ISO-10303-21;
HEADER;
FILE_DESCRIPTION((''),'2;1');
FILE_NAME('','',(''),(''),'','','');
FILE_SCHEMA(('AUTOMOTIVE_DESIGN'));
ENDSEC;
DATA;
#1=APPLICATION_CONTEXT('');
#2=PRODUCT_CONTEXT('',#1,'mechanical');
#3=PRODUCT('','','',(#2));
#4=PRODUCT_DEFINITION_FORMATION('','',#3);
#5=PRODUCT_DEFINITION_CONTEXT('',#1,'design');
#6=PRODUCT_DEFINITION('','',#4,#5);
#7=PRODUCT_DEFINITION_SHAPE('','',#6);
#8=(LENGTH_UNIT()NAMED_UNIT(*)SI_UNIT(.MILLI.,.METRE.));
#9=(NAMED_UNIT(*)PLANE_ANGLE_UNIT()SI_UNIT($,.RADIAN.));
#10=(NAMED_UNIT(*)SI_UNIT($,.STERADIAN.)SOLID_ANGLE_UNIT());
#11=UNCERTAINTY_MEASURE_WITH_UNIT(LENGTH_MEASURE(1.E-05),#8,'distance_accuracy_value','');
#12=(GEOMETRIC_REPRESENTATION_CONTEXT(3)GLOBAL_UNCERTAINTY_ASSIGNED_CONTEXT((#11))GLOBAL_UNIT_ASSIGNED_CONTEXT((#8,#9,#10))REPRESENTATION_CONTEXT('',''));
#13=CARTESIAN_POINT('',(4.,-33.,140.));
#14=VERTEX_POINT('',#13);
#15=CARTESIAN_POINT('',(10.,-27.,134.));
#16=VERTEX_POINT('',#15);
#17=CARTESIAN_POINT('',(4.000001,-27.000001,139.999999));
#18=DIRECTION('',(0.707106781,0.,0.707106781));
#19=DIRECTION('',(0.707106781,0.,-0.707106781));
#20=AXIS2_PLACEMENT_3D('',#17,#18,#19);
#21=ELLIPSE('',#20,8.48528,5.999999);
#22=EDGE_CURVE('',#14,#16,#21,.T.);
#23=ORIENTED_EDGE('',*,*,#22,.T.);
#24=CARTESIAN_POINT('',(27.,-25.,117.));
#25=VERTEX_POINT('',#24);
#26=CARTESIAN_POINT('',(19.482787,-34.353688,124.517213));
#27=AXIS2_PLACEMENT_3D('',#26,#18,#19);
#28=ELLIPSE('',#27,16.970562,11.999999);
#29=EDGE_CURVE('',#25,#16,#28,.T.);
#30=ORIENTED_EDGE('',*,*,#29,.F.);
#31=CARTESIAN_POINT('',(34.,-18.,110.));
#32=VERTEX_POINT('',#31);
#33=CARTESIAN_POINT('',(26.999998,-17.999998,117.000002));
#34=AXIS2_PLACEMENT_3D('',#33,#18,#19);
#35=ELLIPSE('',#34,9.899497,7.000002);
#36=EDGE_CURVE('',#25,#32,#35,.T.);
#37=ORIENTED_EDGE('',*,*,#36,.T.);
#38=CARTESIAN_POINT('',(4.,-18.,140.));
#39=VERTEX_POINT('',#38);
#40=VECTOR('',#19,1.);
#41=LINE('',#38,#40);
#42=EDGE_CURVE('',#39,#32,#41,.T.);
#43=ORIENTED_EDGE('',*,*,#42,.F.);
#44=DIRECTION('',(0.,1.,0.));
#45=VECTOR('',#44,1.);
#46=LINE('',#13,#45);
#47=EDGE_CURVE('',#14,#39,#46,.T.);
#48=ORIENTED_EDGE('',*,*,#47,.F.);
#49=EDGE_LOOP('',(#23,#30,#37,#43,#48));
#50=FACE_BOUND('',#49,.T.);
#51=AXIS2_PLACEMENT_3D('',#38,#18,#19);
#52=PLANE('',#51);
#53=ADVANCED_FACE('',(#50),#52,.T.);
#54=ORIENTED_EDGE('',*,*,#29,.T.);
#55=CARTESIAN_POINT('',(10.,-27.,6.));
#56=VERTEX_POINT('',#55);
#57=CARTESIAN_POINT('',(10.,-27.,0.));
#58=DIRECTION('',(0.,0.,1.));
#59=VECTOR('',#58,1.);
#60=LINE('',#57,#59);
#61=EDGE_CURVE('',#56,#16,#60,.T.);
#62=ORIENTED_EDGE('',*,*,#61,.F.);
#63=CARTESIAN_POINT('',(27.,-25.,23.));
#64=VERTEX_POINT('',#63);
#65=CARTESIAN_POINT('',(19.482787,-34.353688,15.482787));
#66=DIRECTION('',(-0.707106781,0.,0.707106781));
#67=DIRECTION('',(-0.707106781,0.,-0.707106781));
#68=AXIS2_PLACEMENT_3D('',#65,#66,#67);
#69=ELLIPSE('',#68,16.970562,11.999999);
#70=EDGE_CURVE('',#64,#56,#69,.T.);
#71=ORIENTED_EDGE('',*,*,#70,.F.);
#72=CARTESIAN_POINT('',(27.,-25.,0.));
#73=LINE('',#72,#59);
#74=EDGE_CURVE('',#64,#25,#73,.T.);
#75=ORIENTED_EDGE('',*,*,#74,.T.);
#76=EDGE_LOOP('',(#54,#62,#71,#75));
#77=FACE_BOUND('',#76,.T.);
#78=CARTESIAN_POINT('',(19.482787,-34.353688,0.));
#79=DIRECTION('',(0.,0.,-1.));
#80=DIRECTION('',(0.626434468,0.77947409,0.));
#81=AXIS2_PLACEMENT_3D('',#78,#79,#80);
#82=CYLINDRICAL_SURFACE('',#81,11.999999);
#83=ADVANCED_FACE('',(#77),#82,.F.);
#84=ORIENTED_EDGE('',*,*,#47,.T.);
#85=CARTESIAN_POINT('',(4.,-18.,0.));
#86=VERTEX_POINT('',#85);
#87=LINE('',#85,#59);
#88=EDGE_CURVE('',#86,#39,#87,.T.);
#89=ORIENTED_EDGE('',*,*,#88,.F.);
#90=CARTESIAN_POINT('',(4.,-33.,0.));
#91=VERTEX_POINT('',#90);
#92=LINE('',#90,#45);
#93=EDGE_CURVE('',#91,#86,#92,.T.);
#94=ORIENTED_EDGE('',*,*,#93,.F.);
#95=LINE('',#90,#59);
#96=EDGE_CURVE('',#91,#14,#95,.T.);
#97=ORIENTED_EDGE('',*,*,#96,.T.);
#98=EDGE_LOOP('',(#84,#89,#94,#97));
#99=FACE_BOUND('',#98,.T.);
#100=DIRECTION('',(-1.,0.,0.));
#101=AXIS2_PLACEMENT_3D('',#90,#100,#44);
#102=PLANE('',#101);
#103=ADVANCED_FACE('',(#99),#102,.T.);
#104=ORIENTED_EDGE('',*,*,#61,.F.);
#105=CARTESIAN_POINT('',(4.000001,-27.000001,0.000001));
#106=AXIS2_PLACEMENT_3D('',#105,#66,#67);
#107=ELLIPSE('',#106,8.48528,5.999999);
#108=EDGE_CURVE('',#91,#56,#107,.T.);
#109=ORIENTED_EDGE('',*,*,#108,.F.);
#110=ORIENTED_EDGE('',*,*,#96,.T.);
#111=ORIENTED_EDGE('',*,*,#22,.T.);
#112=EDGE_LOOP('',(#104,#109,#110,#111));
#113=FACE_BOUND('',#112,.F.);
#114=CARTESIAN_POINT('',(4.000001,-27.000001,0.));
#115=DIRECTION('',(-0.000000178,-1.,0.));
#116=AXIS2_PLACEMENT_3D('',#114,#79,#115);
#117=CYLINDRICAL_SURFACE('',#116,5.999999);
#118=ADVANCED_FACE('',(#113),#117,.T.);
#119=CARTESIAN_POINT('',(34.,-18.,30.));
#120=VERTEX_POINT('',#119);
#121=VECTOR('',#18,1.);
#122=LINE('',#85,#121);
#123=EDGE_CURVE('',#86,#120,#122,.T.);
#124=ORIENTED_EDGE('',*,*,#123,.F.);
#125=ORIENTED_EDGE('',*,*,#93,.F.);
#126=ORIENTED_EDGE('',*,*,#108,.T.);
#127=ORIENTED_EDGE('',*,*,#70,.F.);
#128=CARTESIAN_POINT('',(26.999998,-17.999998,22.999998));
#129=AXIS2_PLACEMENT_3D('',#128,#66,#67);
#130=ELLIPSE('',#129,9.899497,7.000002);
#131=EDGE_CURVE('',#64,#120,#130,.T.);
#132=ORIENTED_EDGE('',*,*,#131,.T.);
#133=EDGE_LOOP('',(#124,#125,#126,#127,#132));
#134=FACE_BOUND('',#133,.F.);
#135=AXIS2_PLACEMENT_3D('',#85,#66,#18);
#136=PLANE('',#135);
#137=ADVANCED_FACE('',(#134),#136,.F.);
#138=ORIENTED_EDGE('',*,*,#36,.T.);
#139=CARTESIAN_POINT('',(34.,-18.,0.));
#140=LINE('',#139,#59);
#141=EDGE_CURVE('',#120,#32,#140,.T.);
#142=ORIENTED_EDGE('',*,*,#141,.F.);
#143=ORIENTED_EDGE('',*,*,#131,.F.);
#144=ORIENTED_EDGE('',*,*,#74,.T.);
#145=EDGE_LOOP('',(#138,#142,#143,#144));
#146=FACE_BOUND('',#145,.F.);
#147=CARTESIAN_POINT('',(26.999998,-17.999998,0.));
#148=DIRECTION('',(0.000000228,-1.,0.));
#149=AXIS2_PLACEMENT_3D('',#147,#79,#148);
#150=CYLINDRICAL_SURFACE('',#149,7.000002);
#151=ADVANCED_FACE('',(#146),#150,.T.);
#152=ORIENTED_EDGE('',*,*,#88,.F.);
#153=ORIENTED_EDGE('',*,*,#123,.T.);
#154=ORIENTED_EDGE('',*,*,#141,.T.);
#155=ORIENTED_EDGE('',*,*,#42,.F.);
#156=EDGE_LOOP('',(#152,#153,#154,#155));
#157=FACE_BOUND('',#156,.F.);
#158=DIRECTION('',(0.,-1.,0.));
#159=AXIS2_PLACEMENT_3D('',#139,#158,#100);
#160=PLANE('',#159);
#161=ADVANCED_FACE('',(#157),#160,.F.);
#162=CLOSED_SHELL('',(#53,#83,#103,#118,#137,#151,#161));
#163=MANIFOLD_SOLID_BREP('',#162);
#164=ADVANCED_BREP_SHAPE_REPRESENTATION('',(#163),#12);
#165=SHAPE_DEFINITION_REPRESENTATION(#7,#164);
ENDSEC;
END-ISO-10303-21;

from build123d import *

# Parameters (mm, degrees)
PAD011_DEPTH = 40
PAD010_DEPTH = 40
PAD009_DEPTH = 140


with BuildPart() as body_decoration_left_cut_top:
    # Sketch011 → Pad011 (new body)
    with BuildSketch(Plane(origin=(4, -18, 140), x_dir=(1, 0, 0), z_dir=(0, -1, 0))):
        Polygon((0, 0), (40, -40), (40, 0), align=None)
    extrude(amount=PAD011_DEPTH)


with BuildPart() as body_decoration_left_cut_bottom:
    # Sketch010 → Pad010 (new body)
    with BuildSketch(Plane(origin=(4, -18, 0), x_dir=(1, 0, 0), z_dir=(0, -1, 0))):
        Polygon((0, 0), (40, 40), (40, 0), align=None)
    extrude(amount=PAD010_DEPTH)


with BuildPart() as cut_decoration_left:
    # Sketch009 → Pad009 (new body)
    with BuildSketch(Plane(origin=(4, -18, 0), x_dir=(1, 0, 0), z_dir=(0, 0, 1))):
        with BuildLine():
            Line((30, 0), (0, 0))
            Line((0, -15), (0, 0))
            ThreePointArc((0, -15), (4.242641, -13.242641), (6, -9))
            ThreePointArc((23, -7), (14.080692, -4.435882), (6, -9))
            ThreePointArc((23, -7), (27.949747, -4.949747), (30, 0))
        make_face()
    extrude(amount=PAD009_DEPTH)

    # Cut002: cut Body, Decoration, Left, Cut, Bottom
    add(body_decoration_left_cut_bottom.part, mode=Mode.SUBTRACT)

    # Cut003: cut Body, Decoration, Left, Cut, Top
    add(body_decoration_left_cut_top.part, mode=Mode.SUBTRACT)


solid = cut_decoration_left.part
